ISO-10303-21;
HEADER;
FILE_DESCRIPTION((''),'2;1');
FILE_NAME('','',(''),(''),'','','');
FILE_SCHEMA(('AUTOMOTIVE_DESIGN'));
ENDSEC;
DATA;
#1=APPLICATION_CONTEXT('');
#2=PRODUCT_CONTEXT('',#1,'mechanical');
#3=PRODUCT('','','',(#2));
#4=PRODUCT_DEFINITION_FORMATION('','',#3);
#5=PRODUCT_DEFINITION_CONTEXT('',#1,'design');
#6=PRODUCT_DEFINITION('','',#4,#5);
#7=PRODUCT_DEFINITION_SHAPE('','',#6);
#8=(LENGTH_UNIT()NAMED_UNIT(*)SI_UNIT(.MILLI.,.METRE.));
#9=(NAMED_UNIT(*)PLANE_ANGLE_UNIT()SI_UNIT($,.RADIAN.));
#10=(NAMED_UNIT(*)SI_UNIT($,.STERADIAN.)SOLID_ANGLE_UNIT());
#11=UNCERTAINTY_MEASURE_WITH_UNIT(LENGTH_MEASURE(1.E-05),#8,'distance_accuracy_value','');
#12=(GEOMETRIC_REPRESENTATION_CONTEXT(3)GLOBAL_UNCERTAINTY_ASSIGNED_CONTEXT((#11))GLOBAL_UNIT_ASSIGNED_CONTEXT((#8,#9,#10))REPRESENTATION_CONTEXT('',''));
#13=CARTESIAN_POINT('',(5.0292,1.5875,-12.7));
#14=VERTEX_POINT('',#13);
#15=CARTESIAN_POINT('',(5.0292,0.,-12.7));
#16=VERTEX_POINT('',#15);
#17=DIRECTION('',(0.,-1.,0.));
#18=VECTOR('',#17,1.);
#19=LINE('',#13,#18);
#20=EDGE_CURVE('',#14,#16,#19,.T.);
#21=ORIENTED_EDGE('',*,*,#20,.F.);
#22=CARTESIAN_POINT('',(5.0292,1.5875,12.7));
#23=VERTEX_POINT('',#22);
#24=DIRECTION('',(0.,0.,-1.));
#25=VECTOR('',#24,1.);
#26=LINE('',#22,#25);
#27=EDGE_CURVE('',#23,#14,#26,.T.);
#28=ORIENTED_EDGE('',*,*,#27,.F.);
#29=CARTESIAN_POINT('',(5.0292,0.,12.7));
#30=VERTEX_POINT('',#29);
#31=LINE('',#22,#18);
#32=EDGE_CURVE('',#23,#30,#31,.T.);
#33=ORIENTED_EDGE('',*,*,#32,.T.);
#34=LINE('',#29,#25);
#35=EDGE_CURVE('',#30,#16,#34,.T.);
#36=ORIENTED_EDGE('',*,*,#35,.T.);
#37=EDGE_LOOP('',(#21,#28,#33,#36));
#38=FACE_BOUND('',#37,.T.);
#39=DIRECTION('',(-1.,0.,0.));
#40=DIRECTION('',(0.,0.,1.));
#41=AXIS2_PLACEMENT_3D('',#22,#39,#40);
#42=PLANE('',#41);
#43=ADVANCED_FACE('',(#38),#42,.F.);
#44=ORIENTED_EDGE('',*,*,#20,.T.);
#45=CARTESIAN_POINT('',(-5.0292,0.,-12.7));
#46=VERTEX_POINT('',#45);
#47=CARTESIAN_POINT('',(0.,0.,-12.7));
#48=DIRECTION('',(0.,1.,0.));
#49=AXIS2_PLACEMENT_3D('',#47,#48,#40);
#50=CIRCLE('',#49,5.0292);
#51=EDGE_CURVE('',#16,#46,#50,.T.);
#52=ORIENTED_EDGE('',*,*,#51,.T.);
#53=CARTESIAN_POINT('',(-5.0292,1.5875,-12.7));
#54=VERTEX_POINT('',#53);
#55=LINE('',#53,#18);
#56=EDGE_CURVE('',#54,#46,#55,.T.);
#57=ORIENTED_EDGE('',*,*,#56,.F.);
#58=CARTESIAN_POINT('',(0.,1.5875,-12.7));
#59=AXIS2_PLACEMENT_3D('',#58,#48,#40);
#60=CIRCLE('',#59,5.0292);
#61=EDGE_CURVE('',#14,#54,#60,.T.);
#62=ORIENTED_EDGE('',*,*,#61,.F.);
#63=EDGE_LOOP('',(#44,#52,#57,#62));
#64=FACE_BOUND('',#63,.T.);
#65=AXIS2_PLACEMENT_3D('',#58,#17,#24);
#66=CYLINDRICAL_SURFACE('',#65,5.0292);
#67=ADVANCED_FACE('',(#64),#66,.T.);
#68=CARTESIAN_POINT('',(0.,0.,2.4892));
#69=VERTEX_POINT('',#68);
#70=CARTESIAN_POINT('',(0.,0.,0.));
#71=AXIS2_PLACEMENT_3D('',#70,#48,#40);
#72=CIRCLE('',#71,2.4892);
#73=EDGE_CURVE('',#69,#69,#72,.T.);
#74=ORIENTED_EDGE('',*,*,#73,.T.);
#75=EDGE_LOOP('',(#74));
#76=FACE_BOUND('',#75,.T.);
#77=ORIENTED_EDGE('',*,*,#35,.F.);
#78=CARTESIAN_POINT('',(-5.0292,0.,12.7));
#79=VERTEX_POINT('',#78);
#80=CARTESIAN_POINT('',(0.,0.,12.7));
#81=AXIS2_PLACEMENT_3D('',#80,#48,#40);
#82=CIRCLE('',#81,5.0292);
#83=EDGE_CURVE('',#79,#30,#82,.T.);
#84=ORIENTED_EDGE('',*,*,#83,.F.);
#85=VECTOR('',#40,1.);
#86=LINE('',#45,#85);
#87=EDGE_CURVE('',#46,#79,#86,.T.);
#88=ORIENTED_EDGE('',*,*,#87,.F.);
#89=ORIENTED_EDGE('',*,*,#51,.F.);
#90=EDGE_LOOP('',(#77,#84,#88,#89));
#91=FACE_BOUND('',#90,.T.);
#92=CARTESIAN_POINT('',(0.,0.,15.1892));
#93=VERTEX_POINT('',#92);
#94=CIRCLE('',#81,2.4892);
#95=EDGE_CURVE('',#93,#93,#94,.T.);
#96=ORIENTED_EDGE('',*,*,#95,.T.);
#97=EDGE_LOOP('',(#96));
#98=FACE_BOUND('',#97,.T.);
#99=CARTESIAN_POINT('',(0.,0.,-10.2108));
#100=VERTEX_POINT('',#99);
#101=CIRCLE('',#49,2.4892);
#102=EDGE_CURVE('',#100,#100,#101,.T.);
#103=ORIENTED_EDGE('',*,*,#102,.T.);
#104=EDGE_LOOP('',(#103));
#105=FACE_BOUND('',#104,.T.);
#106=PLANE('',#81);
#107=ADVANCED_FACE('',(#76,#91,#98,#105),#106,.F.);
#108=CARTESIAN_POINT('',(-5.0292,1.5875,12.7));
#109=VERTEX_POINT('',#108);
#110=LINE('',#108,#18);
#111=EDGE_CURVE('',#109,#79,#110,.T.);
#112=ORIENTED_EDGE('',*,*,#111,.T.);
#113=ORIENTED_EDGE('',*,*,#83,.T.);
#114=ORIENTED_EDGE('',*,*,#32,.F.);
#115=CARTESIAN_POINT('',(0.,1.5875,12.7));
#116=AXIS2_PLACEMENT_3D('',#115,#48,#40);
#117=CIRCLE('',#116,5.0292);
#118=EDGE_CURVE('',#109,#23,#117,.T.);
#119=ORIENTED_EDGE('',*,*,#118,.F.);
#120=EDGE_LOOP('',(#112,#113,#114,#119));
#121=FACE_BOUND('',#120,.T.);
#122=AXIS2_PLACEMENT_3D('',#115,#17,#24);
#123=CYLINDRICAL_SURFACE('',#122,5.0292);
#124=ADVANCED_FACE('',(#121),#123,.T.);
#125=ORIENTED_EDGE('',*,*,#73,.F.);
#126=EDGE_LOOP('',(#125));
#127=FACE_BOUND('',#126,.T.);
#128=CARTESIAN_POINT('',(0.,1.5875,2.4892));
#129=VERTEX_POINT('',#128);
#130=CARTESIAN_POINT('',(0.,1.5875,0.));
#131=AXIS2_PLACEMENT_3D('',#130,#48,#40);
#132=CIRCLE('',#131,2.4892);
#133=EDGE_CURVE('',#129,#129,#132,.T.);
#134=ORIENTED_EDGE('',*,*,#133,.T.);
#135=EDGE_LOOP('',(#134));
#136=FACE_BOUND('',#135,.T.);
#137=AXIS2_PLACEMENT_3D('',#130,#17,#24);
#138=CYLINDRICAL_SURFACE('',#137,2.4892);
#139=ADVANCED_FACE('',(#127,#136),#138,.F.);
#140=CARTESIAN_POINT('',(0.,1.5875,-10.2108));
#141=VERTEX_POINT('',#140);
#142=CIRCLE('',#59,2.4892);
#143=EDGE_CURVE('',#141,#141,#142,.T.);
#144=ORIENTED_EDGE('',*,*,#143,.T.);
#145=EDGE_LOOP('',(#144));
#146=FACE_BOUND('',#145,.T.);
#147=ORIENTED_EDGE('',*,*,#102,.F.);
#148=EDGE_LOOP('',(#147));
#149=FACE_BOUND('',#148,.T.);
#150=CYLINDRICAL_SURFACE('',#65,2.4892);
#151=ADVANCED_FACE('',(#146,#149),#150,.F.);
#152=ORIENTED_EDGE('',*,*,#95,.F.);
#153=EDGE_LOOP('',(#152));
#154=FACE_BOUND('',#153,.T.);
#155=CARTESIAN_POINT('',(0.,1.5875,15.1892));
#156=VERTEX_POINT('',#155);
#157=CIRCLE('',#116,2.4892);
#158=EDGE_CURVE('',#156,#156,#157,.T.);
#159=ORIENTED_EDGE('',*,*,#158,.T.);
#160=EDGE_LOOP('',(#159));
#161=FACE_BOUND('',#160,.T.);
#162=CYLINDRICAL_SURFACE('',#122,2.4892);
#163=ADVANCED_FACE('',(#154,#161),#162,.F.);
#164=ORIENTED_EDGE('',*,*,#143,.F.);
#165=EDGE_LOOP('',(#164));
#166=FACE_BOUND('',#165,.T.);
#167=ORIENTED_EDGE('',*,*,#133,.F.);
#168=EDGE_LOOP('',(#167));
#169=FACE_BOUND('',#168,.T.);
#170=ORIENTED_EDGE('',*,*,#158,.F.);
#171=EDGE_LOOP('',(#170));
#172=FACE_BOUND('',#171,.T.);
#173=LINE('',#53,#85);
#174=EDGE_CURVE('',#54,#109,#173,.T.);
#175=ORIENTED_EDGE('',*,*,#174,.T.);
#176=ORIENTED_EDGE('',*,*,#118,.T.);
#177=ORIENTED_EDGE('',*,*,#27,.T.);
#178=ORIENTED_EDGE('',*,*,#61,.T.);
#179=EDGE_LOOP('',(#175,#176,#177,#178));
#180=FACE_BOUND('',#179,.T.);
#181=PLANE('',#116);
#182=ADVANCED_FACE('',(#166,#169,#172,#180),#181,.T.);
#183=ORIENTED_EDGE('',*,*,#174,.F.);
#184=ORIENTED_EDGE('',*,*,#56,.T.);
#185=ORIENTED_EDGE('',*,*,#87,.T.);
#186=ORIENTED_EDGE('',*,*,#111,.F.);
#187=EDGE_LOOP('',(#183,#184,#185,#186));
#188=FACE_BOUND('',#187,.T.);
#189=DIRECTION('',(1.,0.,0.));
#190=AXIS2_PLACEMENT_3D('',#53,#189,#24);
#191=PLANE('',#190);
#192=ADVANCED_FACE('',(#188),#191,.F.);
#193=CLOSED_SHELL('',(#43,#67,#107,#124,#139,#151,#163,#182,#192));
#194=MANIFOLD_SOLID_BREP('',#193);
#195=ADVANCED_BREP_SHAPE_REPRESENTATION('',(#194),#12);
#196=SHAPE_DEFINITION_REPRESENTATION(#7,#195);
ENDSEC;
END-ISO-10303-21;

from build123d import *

# Parameters (mm, degrees)
SKETCH1_R           = 2.4892
BOSS_EXTRUDE1_DEPTH = 1.5875


with BuildPart() as part:
    # Sketch1 → Boss-Extrude1 (new body)
    with BuildSketch(Plane(origin=(0, 0, 0), x_dir=(1, 0, 0), z_dir=(0, 1, 0))):
        with BuildLine():
            Line((5.0292, -12.7), (5.0292, 12.7))
            ThreePointArc((5.0292, 12.7), (0, 17.7292), (-5.0292, 12.7))
            Line((-5.0292, 12.7), (-5.0292, -12.7))
            ThreePointArc((-5.0292, -12.7), (0, -17.7292), (5.0292, -12.7))
        make_face()
        with Locations(Location((0, 0, 0), (0, 0, 270))):
            Circle(SKETCH1_R, mode=Mode.SUBTRACT)
        with Locations(Location((0, 12.7, 0), (0, 0, 270))):
            Circle(SKETCH1_R, mode=Mode.SUBTRACT)
        with Locations(Location((0, -12.7, 0), (0, 0, 270))):
            Circle(SKETCH1_R, mode=Mode.SUBTRACT)
    extrude(amount=BOSS_EXTRUDE1_DEPTH)


solid = part.part
